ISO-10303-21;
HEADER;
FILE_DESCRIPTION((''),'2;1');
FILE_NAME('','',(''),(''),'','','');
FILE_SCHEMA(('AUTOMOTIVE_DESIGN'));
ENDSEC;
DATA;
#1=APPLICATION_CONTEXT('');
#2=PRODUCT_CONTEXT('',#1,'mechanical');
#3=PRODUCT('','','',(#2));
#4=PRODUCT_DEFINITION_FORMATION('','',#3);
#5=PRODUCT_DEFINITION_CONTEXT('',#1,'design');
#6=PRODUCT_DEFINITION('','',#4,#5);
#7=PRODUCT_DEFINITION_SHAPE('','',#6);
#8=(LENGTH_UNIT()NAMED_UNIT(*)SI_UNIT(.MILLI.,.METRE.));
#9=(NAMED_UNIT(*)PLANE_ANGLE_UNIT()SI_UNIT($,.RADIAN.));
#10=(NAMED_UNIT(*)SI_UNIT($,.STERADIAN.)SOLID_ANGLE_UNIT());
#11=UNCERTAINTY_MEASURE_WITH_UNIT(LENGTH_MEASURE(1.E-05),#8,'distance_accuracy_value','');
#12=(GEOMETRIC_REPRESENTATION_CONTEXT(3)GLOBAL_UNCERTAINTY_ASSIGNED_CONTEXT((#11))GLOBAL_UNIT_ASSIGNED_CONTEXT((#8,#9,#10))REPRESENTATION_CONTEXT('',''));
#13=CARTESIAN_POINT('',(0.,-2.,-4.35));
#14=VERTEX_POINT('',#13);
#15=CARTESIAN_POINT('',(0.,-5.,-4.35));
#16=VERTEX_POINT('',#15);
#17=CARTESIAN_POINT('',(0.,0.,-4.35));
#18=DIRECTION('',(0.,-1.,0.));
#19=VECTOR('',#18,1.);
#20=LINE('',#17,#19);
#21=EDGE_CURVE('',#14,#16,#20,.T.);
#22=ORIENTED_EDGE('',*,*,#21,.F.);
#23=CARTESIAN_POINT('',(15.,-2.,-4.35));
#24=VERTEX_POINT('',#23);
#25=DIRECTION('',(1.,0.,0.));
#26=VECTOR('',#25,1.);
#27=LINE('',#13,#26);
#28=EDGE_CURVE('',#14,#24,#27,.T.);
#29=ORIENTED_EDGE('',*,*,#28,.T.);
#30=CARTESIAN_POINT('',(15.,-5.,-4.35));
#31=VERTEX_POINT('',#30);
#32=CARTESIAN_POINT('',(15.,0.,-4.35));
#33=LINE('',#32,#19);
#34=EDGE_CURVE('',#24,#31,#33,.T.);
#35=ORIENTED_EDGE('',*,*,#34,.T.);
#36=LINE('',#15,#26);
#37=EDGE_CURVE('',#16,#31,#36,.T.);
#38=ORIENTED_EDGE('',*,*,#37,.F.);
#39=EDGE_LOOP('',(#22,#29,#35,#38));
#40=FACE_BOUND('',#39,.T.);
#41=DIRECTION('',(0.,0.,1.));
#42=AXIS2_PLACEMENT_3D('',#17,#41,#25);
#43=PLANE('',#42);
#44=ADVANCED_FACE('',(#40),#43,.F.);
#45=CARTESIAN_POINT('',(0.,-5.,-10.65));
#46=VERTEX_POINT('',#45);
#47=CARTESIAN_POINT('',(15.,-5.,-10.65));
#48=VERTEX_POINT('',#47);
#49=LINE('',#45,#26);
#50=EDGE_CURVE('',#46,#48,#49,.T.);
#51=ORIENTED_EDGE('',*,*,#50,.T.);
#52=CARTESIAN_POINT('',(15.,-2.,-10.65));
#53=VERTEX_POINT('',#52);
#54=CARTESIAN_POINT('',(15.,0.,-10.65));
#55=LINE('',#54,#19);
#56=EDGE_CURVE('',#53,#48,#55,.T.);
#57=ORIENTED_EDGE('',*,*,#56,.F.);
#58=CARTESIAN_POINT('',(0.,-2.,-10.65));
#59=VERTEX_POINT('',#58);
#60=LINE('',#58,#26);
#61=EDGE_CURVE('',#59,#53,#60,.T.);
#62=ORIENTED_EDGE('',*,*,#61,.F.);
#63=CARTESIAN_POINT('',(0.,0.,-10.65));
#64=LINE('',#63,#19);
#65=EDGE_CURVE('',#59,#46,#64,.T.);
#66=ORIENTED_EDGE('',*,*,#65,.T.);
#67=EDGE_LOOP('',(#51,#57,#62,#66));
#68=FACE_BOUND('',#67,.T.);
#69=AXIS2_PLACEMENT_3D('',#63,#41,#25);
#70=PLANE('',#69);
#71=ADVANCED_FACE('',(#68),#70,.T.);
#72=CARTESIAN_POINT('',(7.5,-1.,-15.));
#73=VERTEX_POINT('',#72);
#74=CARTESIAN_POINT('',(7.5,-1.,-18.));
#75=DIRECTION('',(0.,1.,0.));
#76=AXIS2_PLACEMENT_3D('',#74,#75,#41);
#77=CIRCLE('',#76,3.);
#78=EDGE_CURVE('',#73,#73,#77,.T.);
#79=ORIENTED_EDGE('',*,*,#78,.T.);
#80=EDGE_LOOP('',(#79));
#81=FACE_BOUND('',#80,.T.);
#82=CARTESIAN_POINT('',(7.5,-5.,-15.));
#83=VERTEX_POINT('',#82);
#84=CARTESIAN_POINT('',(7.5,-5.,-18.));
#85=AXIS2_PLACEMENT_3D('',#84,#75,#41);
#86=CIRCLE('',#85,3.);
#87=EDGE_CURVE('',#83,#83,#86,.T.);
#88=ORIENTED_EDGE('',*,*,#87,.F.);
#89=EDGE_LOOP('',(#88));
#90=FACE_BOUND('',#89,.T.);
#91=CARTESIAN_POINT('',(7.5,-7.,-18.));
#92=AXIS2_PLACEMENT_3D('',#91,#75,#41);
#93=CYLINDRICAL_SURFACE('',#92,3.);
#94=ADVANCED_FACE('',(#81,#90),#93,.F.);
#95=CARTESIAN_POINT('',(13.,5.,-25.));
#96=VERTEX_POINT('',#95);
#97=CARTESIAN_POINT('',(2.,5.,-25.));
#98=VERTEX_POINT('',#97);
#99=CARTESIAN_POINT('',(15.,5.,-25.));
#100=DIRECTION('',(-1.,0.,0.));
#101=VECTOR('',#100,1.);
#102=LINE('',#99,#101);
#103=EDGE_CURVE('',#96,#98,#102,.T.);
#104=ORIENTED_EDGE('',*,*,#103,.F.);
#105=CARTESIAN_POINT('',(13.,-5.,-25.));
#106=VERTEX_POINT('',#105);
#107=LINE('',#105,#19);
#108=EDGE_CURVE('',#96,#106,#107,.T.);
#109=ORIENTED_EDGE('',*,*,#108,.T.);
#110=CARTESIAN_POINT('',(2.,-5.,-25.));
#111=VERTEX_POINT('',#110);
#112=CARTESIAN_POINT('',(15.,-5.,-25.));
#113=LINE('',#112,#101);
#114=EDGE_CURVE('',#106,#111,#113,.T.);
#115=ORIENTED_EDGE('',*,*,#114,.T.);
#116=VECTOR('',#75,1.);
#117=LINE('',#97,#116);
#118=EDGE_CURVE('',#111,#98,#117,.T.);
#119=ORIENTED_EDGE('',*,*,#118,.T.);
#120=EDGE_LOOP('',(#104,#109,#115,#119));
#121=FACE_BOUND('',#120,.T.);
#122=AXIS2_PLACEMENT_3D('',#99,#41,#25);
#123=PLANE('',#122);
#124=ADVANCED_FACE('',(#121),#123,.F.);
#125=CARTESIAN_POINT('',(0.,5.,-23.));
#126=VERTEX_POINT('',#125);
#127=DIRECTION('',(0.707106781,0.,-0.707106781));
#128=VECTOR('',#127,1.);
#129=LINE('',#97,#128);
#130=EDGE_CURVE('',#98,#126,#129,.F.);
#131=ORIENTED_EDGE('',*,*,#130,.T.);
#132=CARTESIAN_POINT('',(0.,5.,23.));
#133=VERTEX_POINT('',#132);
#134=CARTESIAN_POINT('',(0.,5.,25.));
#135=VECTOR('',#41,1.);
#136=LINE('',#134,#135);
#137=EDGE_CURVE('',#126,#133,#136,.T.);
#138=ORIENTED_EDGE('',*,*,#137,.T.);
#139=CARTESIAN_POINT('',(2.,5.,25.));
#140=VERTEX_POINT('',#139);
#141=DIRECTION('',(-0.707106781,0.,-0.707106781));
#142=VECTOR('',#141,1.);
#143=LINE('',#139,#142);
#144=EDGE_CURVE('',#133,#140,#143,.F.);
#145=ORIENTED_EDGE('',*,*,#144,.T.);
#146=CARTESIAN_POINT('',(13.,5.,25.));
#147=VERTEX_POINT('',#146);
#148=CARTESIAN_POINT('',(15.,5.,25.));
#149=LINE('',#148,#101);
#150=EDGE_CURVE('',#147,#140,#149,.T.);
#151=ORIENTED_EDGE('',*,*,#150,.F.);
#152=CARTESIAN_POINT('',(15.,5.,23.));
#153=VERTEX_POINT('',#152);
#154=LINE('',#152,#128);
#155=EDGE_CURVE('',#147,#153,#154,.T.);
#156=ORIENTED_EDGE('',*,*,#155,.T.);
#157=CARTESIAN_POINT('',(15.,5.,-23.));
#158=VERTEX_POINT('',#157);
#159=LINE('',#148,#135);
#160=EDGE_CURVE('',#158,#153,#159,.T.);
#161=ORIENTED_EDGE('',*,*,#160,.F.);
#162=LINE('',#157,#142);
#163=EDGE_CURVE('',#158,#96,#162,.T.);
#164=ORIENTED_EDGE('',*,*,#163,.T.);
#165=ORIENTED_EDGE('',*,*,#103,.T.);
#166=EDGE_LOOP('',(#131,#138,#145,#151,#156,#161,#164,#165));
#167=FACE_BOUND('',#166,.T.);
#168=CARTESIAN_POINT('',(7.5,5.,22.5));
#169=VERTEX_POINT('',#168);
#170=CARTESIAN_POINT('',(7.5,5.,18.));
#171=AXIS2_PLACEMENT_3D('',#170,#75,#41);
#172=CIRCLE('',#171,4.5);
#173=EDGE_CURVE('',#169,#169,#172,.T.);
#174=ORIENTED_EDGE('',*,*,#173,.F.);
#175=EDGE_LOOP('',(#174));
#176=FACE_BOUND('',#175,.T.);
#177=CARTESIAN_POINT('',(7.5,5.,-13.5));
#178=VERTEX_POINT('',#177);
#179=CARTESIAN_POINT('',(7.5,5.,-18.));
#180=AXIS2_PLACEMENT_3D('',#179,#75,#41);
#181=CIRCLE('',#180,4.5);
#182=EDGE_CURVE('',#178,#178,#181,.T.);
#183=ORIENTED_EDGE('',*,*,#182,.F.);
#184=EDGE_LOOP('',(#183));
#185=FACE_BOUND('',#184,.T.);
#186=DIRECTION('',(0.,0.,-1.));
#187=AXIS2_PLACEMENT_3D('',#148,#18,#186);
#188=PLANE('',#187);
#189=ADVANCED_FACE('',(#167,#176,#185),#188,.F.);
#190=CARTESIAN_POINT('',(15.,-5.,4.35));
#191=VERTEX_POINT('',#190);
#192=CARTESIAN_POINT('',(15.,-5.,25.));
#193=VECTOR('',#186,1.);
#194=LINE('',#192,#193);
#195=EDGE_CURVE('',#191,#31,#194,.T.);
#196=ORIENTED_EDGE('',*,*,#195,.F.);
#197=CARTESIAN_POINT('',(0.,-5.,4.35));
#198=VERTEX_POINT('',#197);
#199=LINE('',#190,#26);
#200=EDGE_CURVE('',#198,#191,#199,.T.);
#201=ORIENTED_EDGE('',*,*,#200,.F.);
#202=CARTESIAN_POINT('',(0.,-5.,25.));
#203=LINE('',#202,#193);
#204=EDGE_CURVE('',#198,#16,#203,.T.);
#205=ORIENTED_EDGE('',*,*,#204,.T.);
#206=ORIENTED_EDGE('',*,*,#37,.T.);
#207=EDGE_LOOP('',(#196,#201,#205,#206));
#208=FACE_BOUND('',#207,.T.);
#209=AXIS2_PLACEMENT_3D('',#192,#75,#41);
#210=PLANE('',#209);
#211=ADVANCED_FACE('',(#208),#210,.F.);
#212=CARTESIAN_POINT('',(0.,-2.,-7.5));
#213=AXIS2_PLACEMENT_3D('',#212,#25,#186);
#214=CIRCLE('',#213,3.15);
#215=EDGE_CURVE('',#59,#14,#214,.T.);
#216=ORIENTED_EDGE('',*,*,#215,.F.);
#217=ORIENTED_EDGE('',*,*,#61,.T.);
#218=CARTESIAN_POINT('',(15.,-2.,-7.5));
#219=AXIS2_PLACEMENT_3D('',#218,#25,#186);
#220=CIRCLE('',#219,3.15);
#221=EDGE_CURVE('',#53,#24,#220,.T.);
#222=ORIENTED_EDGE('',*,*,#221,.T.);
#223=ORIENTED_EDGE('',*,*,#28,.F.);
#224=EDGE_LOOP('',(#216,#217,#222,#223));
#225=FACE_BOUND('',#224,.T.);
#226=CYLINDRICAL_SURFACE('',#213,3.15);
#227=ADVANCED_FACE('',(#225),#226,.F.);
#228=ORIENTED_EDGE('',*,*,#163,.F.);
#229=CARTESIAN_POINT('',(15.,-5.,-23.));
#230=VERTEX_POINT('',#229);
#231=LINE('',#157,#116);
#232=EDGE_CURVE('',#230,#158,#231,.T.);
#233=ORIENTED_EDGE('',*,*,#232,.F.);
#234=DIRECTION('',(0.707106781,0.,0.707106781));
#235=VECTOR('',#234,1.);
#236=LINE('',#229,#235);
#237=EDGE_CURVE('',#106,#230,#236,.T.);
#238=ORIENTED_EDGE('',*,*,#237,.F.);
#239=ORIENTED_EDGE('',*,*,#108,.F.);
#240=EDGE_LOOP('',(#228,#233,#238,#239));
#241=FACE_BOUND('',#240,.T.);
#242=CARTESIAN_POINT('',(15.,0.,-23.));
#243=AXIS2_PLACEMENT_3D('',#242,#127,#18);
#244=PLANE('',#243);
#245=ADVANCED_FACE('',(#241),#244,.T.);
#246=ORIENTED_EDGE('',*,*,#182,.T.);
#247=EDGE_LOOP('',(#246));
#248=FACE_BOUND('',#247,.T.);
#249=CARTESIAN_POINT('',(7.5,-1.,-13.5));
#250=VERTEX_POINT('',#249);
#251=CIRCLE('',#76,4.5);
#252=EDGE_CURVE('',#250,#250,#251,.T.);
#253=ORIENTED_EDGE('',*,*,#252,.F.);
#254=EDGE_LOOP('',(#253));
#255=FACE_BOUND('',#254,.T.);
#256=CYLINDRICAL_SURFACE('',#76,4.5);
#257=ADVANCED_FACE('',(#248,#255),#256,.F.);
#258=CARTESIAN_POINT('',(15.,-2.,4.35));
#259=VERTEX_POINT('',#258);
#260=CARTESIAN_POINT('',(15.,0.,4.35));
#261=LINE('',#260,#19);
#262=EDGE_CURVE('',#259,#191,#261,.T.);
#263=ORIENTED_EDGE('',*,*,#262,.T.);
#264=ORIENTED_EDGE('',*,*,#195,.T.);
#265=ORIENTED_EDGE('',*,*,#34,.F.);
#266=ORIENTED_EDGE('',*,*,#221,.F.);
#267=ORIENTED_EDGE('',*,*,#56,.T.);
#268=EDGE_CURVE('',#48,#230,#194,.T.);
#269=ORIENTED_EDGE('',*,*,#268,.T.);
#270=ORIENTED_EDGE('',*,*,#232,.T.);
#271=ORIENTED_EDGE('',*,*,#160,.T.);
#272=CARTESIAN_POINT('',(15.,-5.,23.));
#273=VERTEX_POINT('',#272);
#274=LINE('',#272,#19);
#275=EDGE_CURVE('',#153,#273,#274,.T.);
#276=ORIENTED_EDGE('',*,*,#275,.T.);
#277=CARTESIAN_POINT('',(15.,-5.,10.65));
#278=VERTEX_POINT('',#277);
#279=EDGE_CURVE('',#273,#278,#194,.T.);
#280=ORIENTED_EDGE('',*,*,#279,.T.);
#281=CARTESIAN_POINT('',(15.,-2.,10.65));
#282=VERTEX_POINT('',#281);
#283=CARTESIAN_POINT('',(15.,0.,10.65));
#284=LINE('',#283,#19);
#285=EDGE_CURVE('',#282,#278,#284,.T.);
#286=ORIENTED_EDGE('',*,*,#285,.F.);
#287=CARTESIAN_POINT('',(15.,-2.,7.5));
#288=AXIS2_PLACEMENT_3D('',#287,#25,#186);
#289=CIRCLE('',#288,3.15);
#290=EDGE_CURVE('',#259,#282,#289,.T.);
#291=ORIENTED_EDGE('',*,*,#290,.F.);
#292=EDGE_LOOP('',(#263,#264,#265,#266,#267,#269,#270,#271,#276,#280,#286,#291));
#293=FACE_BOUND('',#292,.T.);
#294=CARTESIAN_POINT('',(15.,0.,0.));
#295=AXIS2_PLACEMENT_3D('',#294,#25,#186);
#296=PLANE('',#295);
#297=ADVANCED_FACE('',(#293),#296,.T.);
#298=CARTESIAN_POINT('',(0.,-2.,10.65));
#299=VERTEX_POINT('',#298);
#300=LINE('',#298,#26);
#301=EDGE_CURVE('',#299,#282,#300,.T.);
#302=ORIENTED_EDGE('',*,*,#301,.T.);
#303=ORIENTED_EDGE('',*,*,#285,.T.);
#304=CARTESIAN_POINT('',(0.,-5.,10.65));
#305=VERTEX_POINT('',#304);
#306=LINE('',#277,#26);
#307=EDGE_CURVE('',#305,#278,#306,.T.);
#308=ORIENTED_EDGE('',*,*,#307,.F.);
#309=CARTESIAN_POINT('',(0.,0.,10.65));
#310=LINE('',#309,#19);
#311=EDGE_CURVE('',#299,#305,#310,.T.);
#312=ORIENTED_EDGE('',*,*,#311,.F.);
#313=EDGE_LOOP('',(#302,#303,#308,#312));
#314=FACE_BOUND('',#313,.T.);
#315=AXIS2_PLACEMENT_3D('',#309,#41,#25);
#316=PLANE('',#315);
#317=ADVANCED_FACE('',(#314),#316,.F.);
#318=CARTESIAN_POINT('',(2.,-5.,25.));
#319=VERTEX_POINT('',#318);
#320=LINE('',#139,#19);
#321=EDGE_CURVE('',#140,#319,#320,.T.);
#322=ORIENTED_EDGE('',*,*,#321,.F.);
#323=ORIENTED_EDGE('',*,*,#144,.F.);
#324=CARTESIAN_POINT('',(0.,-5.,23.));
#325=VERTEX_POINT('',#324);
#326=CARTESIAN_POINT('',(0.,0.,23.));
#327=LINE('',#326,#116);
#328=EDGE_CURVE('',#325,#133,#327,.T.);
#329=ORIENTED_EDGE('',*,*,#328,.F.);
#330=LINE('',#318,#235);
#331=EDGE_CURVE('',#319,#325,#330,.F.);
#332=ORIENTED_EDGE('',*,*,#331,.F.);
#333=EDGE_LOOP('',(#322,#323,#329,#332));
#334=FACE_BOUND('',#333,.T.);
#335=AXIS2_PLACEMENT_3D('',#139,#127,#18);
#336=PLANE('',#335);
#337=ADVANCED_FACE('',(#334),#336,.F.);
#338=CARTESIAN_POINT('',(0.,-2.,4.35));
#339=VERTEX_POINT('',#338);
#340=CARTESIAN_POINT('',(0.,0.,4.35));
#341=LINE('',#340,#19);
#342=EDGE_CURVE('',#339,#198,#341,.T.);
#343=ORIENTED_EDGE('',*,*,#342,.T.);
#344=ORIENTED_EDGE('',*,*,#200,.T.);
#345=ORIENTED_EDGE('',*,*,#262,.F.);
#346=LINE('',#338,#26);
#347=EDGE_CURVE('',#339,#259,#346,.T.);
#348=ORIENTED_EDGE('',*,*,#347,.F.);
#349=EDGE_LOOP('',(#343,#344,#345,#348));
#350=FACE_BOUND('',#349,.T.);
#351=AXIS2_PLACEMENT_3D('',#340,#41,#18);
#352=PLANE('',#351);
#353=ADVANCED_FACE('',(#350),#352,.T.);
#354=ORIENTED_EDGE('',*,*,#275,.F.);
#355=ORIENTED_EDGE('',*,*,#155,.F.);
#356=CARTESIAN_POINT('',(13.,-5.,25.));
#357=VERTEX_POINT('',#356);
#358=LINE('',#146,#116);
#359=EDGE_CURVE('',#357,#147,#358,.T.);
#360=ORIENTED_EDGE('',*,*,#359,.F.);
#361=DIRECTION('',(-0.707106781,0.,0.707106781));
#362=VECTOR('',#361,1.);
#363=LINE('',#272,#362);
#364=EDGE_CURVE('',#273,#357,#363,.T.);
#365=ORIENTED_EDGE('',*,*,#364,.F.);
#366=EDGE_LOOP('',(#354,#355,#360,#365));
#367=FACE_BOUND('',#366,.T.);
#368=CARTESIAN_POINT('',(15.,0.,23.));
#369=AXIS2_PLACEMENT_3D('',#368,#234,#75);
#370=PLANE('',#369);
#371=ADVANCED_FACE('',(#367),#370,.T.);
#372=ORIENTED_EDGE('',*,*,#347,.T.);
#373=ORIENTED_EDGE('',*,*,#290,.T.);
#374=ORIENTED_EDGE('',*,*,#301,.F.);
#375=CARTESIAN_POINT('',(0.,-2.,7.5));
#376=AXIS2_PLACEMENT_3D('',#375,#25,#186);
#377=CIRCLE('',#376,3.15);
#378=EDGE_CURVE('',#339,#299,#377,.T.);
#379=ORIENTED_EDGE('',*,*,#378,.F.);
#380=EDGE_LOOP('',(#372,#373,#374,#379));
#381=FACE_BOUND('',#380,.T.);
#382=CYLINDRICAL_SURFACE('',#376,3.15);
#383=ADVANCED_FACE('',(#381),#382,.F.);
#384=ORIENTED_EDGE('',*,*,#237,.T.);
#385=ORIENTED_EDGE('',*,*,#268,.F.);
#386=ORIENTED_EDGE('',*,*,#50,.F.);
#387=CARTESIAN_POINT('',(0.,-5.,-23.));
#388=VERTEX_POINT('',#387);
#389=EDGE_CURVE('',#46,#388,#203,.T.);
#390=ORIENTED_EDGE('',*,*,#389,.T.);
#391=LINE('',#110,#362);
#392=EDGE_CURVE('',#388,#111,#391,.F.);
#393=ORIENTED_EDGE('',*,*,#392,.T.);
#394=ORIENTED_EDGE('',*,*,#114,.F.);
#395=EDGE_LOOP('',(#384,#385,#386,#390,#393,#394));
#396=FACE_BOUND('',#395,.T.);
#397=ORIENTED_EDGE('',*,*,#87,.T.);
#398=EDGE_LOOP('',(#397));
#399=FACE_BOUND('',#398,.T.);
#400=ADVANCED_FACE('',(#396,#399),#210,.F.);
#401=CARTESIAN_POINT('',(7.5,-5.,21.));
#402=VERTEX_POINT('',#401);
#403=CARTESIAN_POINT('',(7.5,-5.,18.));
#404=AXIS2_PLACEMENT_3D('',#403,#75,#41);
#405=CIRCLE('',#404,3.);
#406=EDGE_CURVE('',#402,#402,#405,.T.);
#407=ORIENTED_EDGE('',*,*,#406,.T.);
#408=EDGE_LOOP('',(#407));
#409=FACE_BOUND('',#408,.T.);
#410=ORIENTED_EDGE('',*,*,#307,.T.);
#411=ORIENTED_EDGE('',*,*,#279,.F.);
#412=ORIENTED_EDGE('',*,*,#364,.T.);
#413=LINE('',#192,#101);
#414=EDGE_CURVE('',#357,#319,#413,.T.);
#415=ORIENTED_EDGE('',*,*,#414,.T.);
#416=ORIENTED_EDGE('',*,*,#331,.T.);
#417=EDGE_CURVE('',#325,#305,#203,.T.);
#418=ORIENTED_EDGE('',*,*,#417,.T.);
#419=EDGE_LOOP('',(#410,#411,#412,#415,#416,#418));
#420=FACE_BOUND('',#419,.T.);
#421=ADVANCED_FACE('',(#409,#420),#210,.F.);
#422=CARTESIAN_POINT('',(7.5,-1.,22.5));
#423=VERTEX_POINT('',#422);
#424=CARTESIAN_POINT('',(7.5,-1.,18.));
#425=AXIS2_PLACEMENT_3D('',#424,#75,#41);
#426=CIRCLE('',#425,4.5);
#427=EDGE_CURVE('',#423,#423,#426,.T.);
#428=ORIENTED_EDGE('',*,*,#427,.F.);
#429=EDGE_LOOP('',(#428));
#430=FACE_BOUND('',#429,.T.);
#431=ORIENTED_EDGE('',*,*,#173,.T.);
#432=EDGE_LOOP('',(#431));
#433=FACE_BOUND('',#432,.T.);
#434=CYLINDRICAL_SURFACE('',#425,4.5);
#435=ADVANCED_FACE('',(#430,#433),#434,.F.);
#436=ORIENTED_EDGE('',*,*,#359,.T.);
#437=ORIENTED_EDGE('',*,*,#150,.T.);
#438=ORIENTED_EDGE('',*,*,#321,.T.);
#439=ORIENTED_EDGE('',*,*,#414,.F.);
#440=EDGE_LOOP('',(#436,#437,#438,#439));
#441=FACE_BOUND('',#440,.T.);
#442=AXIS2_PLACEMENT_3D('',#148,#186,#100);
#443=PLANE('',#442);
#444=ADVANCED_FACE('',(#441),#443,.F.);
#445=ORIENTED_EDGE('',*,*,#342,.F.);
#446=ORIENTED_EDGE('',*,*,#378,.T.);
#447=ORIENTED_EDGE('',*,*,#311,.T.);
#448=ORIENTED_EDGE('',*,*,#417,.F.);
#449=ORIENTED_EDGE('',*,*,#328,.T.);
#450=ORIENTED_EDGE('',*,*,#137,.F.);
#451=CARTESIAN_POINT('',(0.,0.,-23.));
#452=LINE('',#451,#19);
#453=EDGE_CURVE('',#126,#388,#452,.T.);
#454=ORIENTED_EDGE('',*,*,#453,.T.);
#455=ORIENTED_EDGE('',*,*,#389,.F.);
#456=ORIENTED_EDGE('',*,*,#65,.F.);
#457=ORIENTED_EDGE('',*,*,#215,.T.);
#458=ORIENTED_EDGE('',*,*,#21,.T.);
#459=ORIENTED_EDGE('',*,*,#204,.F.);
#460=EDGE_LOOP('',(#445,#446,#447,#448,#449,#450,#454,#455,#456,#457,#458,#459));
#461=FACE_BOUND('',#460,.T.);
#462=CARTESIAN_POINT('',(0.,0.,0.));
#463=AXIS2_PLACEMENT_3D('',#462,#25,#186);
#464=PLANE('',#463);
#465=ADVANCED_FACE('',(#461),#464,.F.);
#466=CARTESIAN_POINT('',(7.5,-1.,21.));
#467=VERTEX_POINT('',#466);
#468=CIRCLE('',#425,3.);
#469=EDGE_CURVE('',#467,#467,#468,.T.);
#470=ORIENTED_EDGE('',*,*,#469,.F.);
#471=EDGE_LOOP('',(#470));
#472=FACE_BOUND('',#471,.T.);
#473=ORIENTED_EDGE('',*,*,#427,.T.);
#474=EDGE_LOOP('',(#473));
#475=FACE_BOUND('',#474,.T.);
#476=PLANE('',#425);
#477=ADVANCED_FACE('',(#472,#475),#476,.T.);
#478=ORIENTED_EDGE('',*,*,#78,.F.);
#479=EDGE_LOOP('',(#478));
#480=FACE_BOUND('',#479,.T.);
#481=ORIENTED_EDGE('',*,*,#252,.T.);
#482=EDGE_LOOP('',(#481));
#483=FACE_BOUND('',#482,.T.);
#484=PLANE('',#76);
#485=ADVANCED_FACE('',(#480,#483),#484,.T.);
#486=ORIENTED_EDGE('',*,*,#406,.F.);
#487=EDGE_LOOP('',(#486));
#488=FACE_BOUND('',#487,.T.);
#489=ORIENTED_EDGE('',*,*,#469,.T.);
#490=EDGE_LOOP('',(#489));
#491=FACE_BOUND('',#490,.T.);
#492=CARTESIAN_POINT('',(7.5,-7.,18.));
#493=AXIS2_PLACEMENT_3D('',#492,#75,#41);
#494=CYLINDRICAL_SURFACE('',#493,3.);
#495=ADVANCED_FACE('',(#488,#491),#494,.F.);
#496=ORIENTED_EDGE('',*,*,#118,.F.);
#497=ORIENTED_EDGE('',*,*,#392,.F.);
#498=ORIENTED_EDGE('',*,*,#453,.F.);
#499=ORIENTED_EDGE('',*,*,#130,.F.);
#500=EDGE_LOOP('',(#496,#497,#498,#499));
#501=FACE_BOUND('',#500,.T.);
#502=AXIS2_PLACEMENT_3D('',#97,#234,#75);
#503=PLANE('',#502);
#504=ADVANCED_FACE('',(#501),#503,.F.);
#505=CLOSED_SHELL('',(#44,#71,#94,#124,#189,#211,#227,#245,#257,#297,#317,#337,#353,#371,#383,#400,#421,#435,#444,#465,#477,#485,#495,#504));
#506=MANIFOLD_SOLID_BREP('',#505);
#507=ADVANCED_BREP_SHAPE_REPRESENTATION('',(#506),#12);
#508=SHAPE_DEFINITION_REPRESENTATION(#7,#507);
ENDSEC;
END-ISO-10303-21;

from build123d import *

# Parameters (mm, degrees)
SKETCH1_W           = 50
SKETCH1_H           = 10
BOSS_EXTRUDE1_DEPTH = 15
SKETCH3_R           = 4.5
CUT_EXTRUDE1_DEPTH  = 6
SKETCH4_R           = 3
CUT_EXTRUDE2_DEPTH  = 6
CUT_EXTRUDE3_DEPTH  = 30.580398915
CHAMFER1_SIZE       = 2


with BuildPart() as part:
    # Sketch1 → Boss-Extrude1 (new body)
    with BuildSketch(Plane(origin=(0, 0, 0), x_dir=(0, 0, -1), z_dir=(1, 0, 0))):
        Rectangle(SKETCH1_W, SKETCH1_H)
    extrude(amount=BOSS_EXTRUDE1_DEPTH)

    # Sketch3 → Cut-Extrude1 (cut)
    with BuildSketch(Plane(origin=(0, 5, 0), x_dir=(1, 0, 0), z_dir=(0, 1, 0))):
        with Locations(Location((7.5, -18, 0), (0, 0, 270))):
            Circle(SKETCH3_R)
        with Locations(Location((7.5, 18, 0), (0, 0, 270))):
            Circle(SKETCH3_R)
    extrude(amount=-CUT_EXTRUDE1_DEPTH, mode=Mode.SUBTRACT)

    # Sketch4 → Cut-Extrude2 (cut)
    with BuildSketch(Plane(origin=(0, -1, 0), x_dir=(1, 0, 0), z_dir=(0, 1, 0))):
        with Locations(Location((7.5, 18, 0), (0, 0, 270))):
            Circle(SKETCH4_R)
        with Locations(Location((7.5, -18, 0), (0, 0, 270))):
            Circle(SKETCH4_R)
    extrude(amount=-CUT_EXTRUDE2_DEPTH, mode=Mode.SUBTRACT)

    # Sketch5 → Cut-Extrude3 (cut, through all)
    with BuildSketch(Plane(origin=(15, 0, 0), x_dir=(0, 0, -1), z_dir=(1, 0, 0))):
        with BuildLine():
            Line((-4.35, -2), (-10.65, -2))
            ThreePointArc((-10.65, -2), (-10.04440329, -3.857016936), (-8.460468636, -5))
            Line((-8.460468636, -5), (-6.539531364, -5))
            ThreePointArc((-6.539531364, -5), (-4.95559671, -3.857016936), (-4.35, -2))
        make_face()
        with BuildLine():
            ThreePointArc((-4.35, -2), (-7.5, 1.15), (-10.65, -2))
            Line((-10.65, -2), (-4.35, -2))
        make_face()
        with BuildLine():
            Line((-8.460468636, -5), (-10.65, -5))
            Line((-10.65, -5), (-10.65, -9.185427258))
            Line((-10.65, -9.185427258), (-4.35, -9.185427258))
            Line((-4.35, -9.185427258), (-4.35, -5))
            Line((-4.35, -5), (-6.539531364, -5))
            ThreePointArc((-6.539531364, -5), (-7.5, -5.15), (-8.460468636, -5))
        make_face()
        with BuildLine():
            ThreePointArc((-8.460468636, -5), (-10.04440329, -3.857016936), (-10.65, -2))
            Line((-10.65, -2), (-10.65, -5))
            Line((-10.65, -5), (-8.460468636, -5))
        make_face()
        with BuildLine():
            Line((-4.35, -5), (-4.35, -2))
            ThreePointArc((-4.35, -2), (-4.95559671, -3.857016936), (-6.539531364, -5))
            Line((-6.539531364, -5), (-4.35, -5))
        make_face()
        with BuildLine():
            Line((4.35, -2), (4.35, -5))
            Line((4.35, -5), (6.539531364, -5))
            ThreePointArc((6.539531364, -5), (4.95559671, -3.857016936), (4.35, -2))
        make_face()
        with BuildLine():
            Line((10.65, -2), (4.35, -2))
            ThreePointArc((4.35, -2), (4.95559671, -3.857016936), (6.539531364, -5))
            Line((6.539531364, -5), (8.460468636, -5))
            ThreePointArc((8.460468636, -5), (10.04440329, -3.857016936), (10.65, -2))
        make_face()
        with BuildLine():
            ThreePointArc((10.65, -2), (7.5, 1.15), (4.35, -2))
            Line((4.35, -2), (10.65, -2))
        make_face()
        with BuildLine():
            Line((10.65, -5), (10.65, -2))
            ThreePointArc((10.65, -2), (10.04440329, -3.857016936), (8.460468636, -5))
            Line((8.460468636, -5), (10.65, -5))
        make_face()
    extrude(amount=-CUT_EXTRUDE3_DEPTH, mode=Mode.SUBTRACT)

    # Chamfer1
    chamfer1_edges = [part.edges().sort_by_distance(p)[0] for p in [
        (15, 0, 25),
        (15, 0, -25),
        (0, 0, 25),
        (0, 0, -25),
    ]]
    chamfer(chamfer1_edges, length=CHAMFER1_SIZE)


solid = part.part
